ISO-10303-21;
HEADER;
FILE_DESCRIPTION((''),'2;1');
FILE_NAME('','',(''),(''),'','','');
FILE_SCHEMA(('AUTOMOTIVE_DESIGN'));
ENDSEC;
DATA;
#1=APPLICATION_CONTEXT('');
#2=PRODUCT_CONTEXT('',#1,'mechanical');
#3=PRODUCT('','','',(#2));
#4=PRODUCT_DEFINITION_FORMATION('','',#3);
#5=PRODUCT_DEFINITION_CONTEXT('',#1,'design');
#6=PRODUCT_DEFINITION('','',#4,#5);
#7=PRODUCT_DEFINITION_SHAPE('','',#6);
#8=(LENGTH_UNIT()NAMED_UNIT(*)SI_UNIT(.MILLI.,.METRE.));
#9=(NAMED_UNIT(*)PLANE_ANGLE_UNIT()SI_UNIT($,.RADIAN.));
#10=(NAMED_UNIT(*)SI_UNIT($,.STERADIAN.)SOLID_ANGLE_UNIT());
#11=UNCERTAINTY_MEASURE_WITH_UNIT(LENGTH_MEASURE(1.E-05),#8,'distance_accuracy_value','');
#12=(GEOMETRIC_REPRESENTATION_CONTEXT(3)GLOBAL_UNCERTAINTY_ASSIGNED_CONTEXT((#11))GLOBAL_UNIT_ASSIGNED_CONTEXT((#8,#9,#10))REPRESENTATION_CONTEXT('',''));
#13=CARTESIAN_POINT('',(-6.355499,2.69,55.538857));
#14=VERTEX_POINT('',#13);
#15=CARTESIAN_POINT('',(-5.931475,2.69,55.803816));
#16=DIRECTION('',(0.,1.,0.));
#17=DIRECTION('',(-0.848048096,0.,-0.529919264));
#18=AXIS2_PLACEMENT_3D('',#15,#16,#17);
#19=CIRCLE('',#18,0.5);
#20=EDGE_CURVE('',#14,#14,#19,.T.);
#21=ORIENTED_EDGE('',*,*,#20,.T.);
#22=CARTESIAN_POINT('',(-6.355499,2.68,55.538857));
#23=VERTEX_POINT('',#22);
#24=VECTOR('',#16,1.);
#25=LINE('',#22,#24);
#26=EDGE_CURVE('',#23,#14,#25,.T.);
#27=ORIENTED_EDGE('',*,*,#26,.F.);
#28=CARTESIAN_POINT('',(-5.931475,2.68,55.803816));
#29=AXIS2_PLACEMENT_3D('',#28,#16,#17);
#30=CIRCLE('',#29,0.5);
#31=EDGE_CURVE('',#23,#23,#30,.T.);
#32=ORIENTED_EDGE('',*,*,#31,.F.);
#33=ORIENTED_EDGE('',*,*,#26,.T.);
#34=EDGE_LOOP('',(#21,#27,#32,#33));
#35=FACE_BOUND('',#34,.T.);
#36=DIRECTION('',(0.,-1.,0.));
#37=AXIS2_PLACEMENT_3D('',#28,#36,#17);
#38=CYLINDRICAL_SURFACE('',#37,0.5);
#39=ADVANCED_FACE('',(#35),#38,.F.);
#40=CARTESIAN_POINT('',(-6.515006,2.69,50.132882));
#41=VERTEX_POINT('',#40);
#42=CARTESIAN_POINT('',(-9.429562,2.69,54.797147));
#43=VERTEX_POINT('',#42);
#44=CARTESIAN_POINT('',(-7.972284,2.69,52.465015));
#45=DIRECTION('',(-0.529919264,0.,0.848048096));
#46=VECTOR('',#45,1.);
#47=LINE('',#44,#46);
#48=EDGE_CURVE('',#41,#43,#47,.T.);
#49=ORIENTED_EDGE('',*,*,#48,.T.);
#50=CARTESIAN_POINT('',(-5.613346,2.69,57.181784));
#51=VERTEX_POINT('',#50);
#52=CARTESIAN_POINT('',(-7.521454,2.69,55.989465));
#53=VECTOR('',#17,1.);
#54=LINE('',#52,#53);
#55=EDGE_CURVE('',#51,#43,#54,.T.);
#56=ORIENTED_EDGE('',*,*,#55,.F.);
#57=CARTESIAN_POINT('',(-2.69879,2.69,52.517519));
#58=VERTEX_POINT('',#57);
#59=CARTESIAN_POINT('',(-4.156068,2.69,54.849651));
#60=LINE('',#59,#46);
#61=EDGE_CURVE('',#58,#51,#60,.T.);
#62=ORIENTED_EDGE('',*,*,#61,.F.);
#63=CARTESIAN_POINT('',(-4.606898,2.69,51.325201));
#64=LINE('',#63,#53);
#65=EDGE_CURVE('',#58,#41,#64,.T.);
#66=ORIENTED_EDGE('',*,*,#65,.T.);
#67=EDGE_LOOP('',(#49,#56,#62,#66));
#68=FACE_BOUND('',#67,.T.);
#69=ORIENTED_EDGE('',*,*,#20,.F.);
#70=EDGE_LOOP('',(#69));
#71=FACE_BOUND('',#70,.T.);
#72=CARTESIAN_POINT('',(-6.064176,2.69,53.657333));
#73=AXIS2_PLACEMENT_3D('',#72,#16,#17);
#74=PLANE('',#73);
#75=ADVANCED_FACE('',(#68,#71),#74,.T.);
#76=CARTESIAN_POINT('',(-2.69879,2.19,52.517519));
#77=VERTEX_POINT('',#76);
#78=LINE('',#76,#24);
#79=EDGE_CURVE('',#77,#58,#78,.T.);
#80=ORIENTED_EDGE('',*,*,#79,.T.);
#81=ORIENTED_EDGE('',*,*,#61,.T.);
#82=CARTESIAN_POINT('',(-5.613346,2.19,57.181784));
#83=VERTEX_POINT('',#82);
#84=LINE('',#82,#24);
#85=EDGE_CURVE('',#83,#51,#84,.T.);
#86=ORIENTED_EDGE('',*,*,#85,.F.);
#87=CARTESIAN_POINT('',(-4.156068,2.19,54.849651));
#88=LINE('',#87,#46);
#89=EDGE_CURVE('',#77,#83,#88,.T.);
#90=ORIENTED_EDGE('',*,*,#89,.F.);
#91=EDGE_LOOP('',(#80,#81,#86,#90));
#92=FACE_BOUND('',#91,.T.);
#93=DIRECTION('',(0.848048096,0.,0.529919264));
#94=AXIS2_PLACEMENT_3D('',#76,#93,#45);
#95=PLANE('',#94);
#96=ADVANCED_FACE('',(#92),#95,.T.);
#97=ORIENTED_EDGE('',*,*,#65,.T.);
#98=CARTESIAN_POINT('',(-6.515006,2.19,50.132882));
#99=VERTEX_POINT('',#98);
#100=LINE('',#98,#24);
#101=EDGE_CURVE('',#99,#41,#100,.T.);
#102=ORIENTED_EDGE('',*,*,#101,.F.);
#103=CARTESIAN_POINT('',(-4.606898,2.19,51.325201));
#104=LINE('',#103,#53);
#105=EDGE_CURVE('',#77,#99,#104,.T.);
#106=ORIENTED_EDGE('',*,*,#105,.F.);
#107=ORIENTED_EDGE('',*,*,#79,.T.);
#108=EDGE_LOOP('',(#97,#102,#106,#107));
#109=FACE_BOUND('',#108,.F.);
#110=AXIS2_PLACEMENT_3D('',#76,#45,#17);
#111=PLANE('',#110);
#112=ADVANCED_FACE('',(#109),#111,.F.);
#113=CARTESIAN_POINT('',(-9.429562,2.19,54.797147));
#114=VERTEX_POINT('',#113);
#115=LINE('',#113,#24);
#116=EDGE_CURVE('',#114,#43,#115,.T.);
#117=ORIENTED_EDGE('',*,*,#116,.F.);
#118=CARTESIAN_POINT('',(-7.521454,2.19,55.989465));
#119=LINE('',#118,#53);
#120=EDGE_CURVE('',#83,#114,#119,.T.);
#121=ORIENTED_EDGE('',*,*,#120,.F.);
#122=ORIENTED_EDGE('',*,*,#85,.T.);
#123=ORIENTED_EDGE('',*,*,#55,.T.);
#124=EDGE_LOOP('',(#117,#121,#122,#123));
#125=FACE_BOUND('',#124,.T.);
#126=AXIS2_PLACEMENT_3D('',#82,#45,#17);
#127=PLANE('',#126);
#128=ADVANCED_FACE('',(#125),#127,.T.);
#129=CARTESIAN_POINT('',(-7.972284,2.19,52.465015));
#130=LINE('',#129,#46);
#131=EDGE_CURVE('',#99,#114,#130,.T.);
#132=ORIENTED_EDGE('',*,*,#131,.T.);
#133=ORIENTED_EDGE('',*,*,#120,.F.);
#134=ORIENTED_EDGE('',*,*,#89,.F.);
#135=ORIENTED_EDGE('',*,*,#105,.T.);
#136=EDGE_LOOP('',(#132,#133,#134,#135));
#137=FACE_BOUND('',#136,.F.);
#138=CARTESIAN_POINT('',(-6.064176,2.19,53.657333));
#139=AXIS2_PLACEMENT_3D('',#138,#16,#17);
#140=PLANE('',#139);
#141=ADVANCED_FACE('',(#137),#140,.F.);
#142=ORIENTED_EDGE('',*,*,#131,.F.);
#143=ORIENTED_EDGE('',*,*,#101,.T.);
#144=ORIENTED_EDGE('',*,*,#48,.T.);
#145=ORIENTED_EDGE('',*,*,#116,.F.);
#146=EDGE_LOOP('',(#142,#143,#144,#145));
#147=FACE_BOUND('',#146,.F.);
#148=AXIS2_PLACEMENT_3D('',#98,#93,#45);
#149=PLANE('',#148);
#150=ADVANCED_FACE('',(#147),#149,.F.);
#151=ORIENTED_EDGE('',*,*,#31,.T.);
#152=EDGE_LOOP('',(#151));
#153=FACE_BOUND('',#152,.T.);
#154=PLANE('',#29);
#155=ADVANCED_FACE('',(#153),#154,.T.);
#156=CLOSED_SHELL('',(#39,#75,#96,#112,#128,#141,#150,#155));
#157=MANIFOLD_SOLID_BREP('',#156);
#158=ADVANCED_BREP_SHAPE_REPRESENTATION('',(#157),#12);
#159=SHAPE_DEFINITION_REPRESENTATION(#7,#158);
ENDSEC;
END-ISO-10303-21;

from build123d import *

# Parameters (mm, degrees)
CYLINDER062_R          = 0.5
CYLINDER062_DEPTH      = 0.01
BOX137_W               = 4.5
BOX137_H               = 5.5
BOX137_DEPTH           = 0.5
CUT061_ROLL_ANGLE      = 90
CUT061_PITCH_ANGLE     = 32
CUT061_PLACEMENT_ANGLE = -180


with BuildPart() as cylinder062:
    # Cylinder062 → Cylinder062 (new body)
    with BuildSketch(Plane(origin=(1, 4.5, 0.49), x_dir=(1, 0, 0), z_dir=(0, 0, 1))):
        Circle(CYLINDER062_R)
    extrude(amount=CYLINDER062_DEPTH)


with BuildPart() as small_linbo3_plate065:
    # Box137 → Box137 (new body)
    with BuildSketch(Plane.XY):
        with Locations((2.25, 2.75)):
            Rectangle(BOX137_W, BOX137_H)
    extrude(amount=BOX137_DEPTH)

    # Cut061: cut Cylinder062
    add(cylinder062.part, mode=Mode.SUBTRACT)


with BuildPart() as small_linbo3_plate065_1:
    # Cut061 roll: moved
    add(small_linbo3_plate065.part.rotate(Axis((0, 0, 0), (1, 0, 0)), CUT061_ROLL_ANGLE))


with BuildPart() as small_linbo3_plate065_2:
    # Cut061 pitch: moved
    add(small_linbo3_plate065_1.part.rotate(Axis((0, 0, 0), (0, 1, 0)), CUT061_PITCH_ANGLE))


with BuildPart() as small_linbo3_plate065_3:
    # Cut061 placement: moved
    add(small_linbo3_plate065_2.part.moved(Location((-2.69879, 2.19, 52.517519))).rotate(Axis((-2.69879, 2.19, 52.517519), (0, 0, 1)), CUT061_PLACEMENT_ANGLE))


solid = small_linbo3_plate065_3.part
